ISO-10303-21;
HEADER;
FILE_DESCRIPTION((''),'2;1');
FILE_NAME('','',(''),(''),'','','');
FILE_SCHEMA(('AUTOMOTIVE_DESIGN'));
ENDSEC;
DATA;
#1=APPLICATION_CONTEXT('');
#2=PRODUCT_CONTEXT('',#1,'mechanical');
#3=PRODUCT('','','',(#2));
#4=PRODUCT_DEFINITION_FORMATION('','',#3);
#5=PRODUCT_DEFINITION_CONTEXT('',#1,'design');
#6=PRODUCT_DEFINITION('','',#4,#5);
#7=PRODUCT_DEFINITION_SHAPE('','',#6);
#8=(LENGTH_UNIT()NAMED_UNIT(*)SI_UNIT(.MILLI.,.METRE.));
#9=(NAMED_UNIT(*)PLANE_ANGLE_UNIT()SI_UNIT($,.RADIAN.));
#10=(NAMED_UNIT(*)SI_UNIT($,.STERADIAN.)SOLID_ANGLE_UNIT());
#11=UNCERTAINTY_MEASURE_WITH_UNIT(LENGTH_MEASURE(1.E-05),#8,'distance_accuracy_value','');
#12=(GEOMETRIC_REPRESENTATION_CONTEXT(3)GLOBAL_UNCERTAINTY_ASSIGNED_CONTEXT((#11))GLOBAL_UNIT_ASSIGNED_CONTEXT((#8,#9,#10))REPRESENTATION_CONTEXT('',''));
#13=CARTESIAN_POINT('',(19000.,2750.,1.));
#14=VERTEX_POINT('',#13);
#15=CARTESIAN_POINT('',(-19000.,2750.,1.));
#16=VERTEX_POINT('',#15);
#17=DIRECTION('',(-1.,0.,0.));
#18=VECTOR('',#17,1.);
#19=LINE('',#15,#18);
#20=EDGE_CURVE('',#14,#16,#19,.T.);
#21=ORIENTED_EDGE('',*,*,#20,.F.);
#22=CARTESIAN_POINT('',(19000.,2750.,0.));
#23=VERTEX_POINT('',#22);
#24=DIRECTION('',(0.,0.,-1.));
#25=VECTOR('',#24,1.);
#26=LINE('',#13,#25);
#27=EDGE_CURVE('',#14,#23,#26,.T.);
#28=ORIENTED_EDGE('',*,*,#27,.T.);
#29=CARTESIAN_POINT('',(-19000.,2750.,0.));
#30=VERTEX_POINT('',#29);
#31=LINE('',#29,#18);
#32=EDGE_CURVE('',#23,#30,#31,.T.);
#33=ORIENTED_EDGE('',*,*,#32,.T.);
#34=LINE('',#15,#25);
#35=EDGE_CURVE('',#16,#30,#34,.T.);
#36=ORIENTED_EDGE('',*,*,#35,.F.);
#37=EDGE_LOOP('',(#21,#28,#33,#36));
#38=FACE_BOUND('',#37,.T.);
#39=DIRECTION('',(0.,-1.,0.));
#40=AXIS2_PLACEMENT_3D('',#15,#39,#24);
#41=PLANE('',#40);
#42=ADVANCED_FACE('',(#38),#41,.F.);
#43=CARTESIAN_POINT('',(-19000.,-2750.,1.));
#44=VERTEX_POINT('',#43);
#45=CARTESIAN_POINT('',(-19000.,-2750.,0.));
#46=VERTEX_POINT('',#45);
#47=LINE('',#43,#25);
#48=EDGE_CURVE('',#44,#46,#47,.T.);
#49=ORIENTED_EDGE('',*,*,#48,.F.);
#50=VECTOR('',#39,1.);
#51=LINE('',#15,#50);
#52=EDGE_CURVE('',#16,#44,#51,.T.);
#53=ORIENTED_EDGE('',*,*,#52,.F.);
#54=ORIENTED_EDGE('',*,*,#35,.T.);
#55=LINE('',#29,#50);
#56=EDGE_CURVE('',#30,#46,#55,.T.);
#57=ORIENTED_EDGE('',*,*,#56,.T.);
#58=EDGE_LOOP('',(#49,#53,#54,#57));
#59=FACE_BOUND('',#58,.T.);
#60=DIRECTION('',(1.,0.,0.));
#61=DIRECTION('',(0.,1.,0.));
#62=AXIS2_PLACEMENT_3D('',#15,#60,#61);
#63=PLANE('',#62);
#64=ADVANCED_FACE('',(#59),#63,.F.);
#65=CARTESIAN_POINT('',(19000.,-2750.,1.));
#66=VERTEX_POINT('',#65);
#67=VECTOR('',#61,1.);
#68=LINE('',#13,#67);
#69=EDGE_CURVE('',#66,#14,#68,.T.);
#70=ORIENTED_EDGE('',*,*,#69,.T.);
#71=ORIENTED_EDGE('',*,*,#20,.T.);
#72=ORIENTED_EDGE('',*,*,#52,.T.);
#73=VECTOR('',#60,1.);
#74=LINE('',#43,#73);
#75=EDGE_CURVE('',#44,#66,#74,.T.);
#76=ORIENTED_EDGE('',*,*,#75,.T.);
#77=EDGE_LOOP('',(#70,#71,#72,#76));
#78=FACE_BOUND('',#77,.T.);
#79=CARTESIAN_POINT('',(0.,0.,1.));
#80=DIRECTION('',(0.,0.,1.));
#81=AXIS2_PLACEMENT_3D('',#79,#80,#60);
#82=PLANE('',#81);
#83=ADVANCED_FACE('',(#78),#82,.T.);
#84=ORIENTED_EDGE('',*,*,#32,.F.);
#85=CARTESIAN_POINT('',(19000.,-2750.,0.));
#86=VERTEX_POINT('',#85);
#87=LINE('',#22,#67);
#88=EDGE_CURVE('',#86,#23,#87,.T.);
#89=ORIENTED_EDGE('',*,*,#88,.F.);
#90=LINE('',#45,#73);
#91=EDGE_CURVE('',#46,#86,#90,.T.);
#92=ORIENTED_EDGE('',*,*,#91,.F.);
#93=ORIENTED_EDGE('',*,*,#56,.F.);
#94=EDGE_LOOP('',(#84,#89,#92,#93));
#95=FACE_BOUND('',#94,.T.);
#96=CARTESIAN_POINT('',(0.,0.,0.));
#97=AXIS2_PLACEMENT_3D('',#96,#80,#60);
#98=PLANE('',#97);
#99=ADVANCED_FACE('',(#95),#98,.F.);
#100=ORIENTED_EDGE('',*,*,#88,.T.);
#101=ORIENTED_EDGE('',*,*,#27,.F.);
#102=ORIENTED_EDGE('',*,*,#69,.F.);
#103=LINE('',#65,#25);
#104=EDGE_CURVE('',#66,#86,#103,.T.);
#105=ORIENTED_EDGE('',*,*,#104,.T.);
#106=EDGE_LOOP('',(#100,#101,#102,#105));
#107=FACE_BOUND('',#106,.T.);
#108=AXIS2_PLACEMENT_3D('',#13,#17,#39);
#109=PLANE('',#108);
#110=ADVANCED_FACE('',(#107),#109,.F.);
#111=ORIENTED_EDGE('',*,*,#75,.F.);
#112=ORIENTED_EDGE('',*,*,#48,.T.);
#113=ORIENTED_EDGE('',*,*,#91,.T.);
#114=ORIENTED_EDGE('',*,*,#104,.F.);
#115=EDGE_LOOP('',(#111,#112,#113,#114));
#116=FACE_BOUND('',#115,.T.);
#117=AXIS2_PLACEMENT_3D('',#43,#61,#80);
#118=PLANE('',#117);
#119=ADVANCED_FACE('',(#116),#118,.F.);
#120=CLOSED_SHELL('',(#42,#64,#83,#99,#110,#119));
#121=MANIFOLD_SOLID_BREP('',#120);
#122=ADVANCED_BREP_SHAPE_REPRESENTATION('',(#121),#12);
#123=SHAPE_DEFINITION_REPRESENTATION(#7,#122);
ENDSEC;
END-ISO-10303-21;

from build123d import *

# Parameters (mm, degrees)
CROQUIS1_W              = 38000
CROQUIS1_H              = 5500
SALIENTE_EXTRUIR1_DEPTH = 1


with BuildPart() as part:
    # Croquis1 → Saliente-Extruir1 (new body)
    with BuildSketch(Plane.XY):
        Rectangle(CROQUIS1_W, CROQUIS1_H)
    extrude(amount=SALIENTE_EXTRUIR1_DEPTH)


solid = part.part
